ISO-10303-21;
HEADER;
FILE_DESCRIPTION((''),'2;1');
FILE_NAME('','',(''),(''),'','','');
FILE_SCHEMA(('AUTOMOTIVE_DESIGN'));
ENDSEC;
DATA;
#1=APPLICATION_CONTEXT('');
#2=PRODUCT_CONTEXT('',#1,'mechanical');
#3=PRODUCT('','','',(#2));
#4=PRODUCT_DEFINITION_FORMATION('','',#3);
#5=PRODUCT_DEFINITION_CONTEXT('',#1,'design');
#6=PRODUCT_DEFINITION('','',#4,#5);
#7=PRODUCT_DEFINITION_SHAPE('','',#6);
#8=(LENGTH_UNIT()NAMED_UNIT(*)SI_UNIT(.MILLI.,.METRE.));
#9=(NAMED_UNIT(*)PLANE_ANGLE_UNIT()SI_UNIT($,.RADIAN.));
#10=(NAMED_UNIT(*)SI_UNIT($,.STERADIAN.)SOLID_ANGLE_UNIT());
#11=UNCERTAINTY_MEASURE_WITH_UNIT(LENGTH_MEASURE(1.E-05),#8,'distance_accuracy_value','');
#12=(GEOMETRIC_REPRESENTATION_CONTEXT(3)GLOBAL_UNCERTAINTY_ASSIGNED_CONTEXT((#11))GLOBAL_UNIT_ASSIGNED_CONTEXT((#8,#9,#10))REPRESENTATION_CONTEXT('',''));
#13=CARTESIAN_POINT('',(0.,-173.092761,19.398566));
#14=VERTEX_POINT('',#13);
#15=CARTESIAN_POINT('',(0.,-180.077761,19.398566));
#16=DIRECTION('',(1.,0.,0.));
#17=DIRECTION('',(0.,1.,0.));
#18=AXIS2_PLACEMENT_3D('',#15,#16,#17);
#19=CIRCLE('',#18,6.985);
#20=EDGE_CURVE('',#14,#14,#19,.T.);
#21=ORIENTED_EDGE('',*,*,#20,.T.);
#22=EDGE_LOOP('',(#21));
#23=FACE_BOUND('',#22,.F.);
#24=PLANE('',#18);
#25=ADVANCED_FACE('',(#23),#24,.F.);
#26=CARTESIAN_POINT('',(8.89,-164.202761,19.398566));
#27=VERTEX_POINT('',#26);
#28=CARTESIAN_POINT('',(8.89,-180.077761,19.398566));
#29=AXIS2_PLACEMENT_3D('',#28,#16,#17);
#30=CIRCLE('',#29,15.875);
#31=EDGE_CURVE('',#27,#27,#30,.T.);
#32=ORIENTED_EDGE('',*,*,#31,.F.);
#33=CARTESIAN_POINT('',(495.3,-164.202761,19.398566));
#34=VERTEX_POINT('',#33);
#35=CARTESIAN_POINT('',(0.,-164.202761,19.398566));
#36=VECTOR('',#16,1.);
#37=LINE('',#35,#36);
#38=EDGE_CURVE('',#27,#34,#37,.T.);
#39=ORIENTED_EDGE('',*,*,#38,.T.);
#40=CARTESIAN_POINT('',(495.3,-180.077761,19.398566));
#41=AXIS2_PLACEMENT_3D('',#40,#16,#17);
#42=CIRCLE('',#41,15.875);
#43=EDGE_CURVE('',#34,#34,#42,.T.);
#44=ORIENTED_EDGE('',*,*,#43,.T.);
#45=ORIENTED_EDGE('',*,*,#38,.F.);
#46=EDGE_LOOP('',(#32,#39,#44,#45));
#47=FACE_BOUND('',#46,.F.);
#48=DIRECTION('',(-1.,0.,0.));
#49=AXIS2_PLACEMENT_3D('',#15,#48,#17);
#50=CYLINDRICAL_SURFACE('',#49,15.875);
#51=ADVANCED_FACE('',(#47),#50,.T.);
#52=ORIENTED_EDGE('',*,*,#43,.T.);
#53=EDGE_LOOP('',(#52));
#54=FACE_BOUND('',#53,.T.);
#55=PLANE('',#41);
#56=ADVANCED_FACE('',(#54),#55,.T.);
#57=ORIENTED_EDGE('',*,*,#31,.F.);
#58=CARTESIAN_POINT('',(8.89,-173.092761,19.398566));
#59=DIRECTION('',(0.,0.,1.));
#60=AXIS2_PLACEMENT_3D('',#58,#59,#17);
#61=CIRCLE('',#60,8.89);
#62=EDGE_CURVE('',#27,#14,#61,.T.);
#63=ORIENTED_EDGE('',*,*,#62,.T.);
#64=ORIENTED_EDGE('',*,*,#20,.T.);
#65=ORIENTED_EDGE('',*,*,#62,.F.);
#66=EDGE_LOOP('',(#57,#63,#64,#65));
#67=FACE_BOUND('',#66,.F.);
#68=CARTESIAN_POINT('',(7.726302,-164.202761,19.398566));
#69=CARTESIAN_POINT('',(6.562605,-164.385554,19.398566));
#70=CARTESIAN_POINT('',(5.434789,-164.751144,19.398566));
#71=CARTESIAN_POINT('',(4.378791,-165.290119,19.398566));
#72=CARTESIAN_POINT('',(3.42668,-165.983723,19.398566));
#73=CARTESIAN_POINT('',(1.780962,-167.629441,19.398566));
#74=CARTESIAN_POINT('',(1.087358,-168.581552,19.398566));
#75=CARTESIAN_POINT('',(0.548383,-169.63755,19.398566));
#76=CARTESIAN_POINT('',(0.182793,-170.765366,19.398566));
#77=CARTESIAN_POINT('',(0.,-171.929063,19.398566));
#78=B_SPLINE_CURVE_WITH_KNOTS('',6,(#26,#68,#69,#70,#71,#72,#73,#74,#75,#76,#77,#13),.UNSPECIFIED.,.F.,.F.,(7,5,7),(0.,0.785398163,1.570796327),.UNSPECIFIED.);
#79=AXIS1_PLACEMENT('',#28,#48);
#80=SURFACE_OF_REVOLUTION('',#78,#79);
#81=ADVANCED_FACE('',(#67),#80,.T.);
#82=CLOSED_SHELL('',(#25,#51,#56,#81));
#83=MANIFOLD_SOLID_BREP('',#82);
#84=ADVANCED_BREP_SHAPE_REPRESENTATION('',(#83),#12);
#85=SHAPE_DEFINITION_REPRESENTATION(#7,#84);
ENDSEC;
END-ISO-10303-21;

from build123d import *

# Parameters (mm, degrees)
F0_R     = 15.875
F1_DEPTH = 495.3
F2_R     = 8.89


with BuildPart() as f1:
    # F0 (on Right) → F1 (new body)
    with BuildSketch(Plane.YZ):
        with Locations((-180.077761, 19.398566)):
            Circle(F0_R)
    extrude(amount=F1_DEPTH)

    # F2
    f2_edges = [f1.edges().sort_by_distance(p)[0] for p in [
        (0, -195.952761, 19.398566),
    ]]
    fillet(f2_edges, radius=F2_R)


solid = f1.part
